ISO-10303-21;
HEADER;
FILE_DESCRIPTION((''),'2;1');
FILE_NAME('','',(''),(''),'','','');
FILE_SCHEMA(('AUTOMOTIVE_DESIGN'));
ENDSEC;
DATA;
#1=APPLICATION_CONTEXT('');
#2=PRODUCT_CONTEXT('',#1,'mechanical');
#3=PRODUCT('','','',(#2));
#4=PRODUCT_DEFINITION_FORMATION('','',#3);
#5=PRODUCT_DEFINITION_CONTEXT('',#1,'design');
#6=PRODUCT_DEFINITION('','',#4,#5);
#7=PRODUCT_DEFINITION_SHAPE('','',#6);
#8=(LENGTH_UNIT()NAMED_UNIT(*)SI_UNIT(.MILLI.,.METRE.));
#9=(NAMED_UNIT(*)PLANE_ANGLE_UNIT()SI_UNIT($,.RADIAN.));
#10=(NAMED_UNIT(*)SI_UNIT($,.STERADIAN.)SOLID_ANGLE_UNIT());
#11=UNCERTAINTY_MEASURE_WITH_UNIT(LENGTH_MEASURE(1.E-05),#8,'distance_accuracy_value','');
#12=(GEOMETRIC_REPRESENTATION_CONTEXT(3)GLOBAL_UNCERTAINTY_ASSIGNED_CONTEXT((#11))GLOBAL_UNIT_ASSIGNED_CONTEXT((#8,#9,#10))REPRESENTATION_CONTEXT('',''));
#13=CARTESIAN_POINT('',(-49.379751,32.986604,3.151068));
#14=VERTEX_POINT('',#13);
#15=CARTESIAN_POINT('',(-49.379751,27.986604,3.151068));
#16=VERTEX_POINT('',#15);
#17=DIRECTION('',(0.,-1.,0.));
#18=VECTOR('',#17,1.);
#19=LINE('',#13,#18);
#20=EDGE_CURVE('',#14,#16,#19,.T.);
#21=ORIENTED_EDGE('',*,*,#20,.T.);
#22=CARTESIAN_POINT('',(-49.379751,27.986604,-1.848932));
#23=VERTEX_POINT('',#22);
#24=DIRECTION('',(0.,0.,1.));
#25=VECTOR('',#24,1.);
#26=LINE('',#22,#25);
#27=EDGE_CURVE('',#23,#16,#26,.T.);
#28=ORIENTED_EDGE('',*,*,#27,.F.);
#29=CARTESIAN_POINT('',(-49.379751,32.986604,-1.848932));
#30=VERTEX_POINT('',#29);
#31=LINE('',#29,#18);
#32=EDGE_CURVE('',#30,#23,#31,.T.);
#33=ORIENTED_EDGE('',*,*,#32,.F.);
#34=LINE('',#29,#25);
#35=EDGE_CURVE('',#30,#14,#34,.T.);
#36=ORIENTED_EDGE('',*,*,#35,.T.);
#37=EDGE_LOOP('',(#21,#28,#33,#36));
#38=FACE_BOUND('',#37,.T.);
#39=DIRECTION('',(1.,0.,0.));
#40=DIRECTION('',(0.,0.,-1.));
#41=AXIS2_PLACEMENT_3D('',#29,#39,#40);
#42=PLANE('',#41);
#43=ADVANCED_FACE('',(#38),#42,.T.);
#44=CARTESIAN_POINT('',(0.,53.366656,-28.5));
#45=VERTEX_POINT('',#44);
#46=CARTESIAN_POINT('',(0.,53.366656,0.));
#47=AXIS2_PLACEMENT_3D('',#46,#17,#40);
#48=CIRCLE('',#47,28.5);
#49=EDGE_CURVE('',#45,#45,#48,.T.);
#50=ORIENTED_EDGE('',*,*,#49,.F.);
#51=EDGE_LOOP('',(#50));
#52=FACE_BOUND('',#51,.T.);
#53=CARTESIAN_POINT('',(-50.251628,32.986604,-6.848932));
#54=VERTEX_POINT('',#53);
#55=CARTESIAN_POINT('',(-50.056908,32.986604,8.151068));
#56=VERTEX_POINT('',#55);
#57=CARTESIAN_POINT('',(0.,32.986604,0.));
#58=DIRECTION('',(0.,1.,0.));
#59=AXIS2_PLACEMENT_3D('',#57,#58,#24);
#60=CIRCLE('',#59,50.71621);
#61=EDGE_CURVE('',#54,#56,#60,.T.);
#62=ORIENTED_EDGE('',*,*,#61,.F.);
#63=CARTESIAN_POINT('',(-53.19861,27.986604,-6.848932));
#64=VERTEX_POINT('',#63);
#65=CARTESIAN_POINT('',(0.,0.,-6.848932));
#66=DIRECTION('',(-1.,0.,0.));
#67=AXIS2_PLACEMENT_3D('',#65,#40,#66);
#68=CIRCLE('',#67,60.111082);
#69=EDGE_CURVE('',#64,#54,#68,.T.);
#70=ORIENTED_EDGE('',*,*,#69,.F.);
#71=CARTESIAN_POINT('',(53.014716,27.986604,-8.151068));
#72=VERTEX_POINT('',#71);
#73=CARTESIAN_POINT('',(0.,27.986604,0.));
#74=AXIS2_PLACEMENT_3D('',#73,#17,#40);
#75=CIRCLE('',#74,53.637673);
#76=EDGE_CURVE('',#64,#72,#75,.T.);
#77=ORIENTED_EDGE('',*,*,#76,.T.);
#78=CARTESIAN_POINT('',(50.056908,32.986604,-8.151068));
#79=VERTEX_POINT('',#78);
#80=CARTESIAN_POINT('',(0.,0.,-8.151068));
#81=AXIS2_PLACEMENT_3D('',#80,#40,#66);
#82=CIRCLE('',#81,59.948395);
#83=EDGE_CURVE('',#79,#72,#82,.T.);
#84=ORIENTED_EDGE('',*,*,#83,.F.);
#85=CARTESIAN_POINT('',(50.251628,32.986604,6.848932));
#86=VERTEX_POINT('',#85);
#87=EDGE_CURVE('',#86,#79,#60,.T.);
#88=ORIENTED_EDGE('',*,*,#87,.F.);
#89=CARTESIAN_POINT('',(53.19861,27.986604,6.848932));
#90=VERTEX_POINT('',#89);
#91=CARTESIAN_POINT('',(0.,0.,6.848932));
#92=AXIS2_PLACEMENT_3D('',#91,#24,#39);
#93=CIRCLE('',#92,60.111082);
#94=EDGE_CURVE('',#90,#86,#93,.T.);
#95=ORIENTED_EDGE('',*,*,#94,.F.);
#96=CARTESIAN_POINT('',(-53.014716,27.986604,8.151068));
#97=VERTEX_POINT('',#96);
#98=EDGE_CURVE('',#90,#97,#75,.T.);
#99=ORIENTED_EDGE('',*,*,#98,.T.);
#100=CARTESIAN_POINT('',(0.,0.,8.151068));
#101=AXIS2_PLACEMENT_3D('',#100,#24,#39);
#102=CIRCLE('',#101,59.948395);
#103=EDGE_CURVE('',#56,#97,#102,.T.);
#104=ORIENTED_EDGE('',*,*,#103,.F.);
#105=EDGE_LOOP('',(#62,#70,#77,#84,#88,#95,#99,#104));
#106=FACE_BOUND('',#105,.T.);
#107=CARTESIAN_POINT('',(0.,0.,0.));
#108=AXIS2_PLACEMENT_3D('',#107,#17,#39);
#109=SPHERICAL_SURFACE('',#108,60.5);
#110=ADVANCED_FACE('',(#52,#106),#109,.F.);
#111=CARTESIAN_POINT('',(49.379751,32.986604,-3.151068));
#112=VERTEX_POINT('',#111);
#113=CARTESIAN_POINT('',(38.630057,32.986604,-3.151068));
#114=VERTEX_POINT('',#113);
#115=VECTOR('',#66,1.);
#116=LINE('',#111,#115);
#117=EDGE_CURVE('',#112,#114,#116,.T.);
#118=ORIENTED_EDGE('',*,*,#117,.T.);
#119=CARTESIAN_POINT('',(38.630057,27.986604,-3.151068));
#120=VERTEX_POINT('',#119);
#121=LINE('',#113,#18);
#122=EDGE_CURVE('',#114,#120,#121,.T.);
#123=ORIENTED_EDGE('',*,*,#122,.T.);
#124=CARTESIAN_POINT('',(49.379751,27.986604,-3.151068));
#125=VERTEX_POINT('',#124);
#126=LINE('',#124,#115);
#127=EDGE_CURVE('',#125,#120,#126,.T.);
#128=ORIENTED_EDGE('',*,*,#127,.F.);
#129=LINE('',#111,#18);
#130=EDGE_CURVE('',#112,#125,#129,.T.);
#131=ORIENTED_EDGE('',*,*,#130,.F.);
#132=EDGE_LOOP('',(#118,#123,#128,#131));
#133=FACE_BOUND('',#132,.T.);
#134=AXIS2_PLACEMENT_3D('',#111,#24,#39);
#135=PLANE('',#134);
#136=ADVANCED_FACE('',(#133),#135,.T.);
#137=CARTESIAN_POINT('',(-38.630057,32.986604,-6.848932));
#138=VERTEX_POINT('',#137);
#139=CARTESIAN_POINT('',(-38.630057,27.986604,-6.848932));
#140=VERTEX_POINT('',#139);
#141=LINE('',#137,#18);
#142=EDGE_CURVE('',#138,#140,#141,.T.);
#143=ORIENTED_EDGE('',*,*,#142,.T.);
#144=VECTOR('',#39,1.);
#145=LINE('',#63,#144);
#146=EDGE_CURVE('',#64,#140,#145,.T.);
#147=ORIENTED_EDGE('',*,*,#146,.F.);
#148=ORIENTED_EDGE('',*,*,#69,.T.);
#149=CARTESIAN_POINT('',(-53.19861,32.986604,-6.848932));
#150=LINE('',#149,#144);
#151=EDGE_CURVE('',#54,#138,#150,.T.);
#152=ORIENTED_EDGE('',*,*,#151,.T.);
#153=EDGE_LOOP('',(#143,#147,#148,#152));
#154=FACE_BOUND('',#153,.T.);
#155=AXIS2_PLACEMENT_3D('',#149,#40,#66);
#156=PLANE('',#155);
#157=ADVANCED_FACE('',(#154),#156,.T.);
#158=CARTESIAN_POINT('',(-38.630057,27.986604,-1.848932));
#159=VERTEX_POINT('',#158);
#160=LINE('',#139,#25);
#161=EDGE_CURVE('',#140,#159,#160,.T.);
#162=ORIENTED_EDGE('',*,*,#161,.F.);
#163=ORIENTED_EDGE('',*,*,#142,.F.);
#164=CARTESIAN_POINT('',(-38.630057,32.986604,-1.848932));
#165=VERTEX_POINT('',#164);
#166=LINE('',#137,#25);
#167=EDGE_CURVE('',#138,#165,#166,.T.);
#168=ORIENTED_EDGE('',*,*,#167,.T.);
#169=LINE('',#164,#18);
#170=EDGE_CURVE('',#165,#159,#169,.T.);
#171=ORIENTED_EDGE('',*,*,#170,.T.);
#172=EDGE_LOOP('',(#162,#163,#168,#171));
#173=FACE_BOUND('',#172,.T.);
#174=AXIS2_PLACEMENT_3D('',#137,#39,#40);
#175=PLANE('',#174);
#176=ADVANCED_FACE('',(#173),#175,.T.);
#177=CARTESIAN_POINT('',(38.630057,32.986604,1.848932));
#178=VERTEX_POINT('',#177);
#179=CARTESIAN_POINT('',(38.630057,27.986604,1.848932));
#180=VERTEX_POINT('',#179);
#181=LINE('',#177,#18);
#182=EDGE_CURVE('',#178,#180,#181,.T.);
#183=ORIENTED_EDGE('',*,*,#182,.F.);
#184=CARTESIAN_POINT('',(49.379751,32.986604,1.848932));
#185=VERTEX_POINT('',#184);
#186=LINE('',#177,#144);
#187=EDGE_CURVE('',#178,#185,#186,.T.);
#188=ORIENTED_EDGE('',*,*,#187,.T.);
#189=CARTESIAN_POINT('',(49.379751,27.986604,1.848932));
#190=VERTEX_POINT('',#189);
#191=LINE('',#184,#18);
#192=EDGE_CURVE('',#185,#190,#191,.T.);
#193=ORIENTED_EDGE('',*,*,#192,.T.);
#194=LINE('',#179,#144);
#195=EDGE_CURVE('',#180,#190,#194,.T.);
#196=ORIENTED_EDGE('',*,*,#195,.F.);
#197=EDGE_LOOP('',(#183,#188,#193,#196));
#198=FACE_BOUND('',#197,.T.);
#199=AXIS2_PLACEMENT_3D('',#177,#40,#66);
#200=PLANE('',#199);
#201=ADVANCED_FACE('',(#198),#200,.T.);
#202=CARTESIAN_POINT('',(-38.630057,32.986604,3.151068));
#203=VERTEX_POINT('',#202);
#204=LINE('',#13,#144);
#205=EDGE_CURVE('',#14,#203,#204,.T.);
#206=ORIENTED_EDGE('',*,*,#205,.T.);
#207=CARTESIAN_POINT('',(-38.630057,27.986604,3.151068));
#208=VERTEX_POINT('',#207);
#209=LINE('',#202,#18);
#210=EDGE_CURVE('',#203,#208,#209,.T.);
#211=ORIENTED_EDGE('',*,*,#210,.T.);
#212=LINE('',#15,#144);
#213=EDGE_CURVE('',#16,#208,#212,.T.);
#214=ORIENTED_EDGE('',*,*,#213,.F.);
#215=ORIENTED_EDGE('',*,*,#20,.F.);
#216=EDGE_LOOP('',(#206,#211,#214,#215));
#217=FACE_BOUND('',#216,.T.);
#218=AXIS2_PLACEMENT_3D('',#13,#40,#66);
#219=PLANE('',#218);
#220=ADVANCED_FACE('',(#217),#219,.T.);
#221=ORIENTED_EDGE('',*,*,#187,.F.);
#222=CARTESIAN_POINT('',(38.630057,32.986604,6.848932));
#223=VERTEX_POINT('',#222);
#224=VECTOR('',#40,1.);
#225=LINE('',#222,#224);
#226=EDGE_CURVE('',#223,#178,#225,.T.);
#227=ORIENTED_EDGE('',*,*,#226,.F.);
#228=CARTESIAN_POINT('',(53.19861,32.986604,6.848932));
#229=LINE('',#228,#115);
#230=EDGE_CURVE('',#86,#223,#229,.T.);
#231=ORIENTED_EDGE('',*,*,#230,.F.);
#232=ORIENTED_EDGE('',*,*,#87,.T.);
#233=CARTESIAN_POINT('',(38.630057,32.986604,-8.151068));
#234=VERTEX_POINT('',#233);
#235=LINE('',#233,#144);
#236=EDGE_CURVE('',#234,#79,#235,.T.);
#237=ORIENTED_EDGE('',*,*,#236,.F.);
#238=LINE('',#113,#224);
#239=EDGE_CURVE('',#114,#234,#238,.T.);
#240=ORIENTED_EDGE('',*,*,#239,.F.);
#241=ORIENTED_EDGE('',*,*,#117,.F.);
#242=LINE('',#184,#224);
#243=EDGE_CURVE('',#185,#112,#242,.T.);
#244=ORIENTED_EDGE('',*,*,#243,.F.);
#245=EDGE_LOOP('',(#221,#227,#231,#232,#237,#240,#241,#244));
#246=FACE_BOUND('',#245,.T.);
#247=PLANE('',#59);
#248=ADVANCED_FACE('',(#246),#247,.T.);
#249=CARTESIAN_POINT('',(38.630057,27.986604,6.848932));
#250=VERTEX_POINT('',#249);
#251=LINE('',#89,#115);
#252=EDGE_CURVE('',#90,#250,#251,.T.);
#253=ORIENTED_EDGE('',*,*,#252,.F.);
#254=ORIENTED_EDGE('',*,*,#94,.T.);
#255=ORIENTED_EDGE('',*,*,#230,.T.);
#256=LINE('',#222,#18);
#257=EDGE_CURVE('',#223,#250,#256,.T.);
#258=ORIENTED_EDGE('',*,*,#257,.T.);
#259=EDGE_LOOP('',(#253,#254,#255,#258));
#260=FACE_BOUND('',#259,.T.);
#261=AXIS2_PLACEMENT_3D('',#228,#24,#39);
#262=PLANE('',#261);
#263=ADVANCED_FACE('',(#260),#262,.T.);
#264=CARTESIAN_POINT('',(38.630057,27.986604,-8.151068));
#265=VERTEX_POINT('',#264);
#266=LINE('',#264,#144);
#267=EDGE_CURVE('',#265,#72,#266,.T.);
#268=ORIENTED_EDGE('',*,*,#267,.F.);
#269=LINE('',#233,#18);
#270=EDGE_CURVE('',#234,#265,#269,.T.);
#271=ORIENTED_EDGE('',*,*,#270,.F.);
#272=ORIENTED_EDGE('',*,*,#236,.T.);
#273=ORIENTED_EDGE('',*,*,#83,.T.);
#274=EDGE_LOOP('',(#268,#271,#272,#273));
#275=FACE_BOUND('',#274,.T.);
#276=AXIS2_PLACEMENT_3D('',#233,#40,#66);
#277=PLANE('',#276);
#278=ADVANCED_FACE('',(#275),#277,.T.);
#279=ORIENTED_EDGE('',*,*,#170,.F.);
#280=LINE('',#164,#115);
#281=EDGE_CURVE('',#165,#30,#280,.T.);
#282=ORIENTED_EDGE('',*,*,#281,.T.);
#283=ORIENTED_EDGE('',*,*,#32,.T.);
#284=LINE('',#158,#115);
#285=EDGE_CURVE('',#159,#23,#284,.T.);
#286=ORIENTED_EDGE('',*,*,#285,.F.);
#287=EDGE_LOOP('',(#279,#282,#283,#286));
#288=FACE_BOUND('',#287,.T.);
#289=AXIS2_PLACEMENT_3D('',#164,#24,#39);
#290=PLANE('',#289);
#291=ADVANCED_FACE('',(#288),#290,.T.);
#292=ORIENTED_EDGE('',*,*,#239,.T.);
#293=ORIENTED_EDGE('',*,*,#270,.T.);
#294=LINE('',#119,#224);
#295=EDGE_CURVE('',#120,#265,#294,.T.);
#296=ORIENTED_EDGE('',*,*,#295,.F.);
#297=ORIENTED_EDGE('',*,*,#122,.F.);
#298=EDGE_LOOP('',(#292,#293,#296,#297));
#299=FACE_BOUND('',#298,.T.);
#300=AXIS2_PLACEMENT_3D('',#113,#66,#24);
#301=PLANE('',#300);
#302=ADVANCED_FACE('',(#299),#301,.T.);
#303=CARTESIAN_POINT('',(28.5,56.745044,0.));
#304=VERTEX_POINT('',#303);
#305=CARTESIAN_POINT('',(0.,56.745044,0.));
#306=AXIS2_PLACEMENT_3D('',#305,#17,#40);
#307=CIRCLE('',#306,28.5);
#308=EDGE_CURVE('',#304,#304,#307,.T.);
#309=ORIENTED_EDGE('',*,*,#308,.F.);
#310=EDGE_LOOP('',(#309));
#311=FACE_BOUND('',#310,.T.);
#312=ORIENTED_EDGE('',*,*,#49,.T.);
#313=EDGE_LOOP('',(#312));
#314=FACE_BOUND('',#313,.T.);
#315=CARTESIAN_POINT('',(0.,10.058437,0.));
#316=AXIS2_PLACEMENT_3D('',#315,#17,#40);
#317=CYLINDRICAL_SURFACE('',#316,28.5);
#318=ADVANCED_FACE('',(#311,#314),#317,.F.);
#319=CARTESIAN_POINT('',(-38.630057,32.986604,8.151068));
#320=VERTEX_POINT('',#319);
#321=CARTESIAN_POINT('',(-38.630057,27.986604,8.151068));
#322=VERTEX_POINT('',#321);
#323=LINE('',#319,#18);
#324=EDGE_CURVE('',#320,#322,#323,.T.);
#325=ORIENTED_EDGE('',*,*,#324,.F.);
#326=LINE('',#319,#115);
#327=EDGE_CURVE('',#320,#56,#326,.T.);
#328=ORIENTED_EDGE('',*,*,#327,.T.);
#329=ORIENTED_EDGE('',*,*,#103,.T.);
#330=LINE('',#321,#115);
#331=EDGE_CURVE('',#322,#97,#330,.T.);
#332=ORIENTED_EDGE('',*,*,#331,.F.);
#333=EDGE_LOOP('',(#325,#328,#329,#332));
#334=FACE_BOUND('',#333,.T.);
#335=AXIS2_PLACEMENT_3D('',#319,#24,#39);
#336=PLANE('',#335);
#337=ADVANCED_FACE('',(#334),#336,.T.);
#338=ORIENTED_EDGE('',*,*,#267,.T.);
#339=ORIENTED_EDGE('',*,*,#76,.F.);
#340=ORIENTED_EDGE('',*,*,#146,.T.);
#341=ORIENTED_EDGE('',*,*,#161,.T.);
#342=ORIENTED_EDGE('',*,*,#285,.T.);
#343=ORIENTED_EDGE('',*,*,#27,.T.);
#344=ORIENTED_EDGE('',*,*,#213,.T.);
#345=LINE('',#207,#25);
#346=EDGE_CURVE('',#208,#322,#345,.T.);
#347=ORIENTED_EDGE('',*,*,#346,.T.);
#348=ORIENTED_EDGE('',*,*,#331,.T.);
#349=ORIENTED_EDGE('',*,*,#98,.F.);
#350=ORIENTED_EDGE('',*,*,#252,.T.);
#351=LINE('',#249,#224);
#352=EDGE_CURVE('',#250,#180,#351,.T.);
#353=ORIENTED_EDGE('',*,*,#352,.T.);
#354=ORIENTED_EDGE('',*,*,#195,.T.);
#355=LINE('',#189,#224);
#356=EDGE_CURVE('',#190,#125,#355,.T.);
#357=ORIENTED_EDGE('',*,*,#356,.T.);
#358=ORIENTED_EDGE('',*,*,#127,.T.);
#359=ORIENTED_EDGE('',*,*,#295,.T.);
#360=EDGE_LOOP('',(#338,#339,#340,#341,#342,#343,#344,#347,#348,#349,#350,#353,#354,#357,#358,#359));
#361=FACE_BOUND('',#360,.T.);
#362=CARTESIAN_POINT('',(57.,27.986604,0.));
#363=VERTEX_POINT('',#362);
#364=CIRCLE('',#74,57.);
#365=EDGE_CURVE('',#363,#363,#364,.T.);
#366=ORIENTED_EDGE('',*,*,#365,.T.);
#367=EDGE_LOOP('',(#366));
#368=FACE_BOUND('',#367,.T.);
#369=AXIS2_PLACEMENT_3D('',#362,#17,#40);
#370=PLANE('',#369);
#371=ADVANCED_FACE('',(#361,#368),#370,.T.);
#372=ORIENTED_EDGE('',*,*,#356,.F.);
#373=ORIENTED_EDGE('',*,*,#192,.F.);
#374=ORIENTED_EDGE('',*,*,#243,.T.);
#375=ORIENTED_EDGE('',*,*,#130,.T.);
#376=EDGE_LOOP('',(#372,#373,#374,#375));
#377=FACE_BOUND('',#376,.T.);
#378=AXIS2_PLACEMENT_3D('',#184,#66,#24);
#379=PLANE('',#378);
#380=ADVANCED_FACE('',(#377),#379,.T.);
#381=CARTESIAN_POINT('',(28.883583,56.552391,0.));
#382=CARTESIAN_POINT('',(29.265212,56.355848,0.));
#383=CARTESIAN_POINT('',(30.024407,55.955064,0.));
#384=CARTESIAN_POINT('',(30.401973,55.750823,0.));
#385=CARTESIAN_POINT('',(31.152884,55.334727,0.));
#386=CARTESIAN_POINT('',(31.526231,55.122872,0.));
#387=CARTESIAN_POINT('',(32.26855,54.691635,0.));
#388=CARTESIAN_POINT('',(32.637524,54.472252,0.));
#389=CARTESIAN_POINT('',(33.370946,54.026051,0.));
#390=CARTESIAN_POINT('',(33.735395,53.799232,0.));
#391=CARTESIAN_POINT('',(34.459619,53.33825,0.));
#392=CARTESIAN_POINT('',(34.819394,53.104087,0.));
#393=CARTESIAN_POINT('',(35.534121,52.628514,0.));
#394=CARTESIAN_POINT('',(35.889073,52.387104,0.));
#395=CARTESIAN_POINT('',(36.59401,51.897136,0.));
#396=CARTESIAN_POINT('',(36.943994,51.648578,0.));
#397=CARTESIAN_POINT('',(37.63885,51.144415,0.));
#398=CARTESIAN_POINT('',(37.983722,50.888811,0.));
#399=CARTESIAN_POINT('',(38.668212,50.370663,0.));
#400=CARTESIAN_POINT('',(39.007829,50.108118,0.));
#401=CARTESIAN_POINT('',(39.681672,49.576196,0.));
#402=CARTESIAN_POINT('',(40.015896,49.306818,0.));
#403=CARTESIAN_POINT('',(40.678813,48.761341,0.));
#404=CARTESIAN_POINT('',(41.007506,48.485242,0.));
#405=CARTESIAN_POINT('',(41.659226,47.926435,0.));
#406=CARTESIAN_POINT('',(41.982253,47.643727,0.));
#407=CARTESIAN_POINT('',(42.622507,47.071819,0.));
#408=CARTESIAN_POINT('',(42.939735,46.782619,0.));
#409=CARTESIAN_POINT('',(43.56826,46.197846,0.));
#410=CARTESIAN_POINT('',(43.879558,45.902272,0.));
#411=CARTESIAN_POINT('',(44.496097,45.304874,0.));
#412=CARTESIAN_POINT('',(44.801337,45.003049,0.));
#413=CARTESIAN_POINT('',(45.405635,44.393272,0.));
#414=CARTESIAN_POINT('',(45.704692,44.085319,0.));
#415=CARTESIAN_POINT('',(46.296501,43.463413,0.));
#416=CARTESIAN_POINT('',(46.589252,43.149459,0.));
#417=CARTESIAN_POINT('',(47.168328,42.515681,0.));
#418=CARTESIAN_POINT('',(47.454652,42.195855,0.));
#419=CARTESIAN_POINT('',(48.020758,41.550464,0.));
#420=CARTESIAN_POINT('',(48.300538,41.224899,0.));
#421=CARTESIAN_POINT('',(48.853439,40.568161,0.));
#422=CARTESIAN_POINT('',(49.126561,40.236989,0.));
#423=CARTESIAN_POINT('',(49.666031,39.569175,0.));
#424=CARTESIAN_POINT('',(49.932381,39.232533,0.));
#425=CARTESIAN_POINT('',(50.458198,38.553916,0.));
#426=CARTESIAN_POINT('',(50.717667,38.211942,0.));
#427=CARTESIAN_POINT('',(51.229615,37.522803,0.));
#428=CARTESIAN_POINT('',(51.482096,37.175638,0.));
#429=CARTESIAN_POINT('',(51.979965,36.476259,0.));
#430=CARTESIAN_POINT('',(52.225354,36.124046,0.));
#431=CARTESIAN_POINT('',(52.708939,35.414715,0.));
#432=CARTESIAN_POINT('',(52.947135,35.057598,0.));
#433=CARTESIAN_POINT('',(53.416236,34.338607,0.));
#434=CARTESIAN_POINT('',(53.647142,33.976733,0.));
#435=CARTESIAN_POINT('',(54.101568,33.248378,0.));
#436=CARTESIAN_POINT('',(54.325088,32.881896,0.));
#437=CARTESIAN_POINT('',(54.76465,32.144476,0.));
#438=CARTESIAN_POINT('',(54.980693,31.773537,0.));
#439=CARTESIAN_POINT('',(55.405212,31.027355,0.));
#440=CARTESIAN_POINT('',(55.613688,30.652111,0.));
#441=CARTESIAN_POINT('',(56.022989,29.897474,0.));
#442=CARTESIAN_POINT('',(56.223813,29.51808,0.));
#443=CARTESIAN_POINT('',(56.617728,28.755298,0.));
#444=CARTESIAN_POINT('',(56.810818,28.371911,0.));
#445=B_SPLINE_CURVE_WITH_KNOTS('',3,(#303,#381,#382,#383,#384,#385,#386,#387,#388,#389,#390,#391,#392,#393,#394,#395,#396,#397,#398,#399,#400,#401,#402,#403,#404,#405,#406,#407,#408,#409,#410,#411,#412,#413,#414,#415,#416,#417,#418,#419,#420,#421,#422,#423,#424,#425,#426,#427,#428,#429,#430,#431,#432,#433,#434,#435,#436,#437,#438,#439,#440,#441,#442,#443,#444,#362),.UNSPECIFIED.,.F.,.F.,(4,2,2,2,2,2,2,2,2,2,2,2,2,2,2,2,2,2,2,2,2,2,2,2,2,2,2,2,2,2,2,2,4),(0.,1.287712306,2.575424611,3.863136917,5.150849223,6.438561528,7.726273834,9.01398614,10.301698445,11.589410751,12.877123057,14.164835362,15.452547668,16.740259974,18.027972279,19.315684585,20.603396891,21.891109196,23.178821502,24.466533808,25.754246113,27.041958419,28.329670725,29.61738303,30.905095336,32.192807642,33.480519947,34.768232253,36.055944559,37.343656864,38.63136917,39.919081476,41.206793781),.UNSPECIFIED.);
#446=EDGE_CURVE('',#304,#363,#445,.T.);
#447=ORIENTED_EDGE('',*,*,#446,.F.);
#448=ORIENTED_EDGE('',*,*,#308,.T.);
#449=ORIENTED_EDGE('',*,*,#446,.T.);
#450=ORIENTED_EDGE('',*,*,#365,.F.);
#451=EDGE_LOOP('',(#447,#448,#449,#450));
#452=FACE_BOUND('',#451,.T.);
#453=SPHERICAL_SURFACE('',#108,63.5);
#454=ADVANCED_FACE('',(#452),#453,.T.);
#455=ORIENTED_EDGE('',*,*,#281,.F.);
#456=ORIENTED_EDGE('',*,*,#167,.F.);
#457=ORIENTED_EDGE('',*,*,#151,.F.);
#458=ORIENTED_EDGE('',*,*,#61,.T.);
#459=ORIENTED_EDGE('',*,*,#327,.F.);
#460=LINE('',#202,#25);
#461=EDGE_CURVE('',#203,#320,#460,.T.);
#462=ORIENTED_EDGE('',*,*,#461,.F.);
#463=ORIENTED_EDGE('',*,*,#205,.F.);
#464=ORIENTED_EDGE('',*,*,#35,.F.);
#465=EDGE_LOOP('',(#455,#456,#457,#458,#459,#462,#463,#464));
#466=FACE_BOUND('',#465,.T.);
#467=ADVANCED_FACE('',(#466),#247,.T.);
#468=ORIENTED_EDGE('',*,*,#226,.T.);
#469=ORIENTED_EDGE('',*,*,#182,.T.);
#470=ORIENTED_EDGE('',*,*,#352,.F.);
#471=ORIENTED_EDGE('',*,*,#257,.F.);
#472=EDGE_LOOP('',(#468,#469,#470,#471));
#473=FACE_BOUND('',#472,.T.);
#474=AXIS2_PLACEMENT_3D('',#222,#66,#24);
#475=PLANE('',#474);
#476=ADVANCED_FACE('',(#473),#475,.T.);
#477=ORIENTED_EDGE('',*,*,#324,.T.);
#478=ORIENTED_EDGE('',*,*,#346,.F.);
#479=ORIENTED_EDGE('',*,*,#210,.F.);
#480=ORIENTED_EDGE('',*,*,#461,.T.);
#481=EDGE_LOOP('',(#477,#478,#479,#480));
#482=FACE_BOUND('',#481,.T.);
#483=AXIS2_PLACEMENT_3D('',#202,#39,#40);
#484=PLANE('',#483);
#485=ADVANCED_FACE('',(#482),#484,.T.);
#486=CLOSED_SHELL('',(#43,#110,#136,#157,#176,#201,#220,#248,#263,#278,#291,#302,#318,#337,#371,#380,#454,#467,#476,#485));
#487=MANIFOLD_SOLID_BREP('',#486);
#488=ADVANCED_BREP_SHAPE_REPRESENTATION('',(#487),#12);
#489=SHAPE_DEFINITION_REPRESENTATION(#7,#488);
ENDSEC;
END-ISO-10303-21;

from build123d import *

# Parameters (mm, degrees)
SALIENTE_EXTRUIR1_DEPTH = 5


with BuildPart() as part:
    # Croquis2 → Revolución2 (revolve)
    with BuildSketch(Plane.XY):
        with BuildLine():
            Line((57, 27.986603938), (53.637673328, 27.986603938))
            ThreePointArc((53.637673328, 27.986603938), (42.984719481, 42.574216272), (28.5, 53.366656257))
            Line((28.5, 53.366656257), (28.5, 56.745043836))
            ThreePointArc((28.5, 56.745043836), (45.103486188, 44.698160294), (57, 27.986603938))
        make_face()
    revolve(axis=Axis((0, 10.058437275, 0), (0, 1, 0)))

    # Croquis3 → Saliente-Extruir1 (add)
    with BuildSketch(Plane.XZ.offset(-27.986603938)):
        with BuildLine():
            Line((38.630056924, 1.848931625), (49.379751122, 1.848931625))
            Line((49.379751122, 1.848931625), (49.379751122, -3.151068375))
            Line((49.379751122, -3.151068375), (38.630056924, -3.151068375))
            Line((38.630056924, -3.151068375), (38.630056924, -8.151068375))
            Line((38.630056924, -8.151068375), (53.014715734, -8.151068375))
            ThreePointArc((53.014715734, -8.151068375), (53.633642946, -0.657528958), (53.198610279, 6.848931625))
            Line((53.198610279, 6.848931625), (38.630056924, 6.848931625))
            Line((38.630056924, 6.848931625), (38.630056924, 1.848931625))
        make_face()
        with BuildLine():
            Line((-38.630056924, 8.151068375), (-53.014715734, 8.151068375))
            ThreePointArc((-53.014715734, 8.151068375), (-53.633642946, 0.657528958), (-53.198610279, -6.848931625))
            Line((-53.198610279, -6.848931625), (-38.630056924, -6.848931625))
            Line((-38.630056924, -6.848931625), (-38.630056924, -1.848931625))
            Line((-38.630056924, -1.848931625), (-49.379751122, -1.848931625))
            Line((-49.379751122, -1.848931625), (-49.379751122, 3.151068375))
            Line((-49.379751122, 3.151068375), (-38.630056924, 3.151068375))
            Line((-38.630056924, 3.151068375), (-38.630056924, 8.151068375))
        make_face()
    extrude(amount=-SALIENTE_EXTRUIR1_DEPTH)


solid = part.part
